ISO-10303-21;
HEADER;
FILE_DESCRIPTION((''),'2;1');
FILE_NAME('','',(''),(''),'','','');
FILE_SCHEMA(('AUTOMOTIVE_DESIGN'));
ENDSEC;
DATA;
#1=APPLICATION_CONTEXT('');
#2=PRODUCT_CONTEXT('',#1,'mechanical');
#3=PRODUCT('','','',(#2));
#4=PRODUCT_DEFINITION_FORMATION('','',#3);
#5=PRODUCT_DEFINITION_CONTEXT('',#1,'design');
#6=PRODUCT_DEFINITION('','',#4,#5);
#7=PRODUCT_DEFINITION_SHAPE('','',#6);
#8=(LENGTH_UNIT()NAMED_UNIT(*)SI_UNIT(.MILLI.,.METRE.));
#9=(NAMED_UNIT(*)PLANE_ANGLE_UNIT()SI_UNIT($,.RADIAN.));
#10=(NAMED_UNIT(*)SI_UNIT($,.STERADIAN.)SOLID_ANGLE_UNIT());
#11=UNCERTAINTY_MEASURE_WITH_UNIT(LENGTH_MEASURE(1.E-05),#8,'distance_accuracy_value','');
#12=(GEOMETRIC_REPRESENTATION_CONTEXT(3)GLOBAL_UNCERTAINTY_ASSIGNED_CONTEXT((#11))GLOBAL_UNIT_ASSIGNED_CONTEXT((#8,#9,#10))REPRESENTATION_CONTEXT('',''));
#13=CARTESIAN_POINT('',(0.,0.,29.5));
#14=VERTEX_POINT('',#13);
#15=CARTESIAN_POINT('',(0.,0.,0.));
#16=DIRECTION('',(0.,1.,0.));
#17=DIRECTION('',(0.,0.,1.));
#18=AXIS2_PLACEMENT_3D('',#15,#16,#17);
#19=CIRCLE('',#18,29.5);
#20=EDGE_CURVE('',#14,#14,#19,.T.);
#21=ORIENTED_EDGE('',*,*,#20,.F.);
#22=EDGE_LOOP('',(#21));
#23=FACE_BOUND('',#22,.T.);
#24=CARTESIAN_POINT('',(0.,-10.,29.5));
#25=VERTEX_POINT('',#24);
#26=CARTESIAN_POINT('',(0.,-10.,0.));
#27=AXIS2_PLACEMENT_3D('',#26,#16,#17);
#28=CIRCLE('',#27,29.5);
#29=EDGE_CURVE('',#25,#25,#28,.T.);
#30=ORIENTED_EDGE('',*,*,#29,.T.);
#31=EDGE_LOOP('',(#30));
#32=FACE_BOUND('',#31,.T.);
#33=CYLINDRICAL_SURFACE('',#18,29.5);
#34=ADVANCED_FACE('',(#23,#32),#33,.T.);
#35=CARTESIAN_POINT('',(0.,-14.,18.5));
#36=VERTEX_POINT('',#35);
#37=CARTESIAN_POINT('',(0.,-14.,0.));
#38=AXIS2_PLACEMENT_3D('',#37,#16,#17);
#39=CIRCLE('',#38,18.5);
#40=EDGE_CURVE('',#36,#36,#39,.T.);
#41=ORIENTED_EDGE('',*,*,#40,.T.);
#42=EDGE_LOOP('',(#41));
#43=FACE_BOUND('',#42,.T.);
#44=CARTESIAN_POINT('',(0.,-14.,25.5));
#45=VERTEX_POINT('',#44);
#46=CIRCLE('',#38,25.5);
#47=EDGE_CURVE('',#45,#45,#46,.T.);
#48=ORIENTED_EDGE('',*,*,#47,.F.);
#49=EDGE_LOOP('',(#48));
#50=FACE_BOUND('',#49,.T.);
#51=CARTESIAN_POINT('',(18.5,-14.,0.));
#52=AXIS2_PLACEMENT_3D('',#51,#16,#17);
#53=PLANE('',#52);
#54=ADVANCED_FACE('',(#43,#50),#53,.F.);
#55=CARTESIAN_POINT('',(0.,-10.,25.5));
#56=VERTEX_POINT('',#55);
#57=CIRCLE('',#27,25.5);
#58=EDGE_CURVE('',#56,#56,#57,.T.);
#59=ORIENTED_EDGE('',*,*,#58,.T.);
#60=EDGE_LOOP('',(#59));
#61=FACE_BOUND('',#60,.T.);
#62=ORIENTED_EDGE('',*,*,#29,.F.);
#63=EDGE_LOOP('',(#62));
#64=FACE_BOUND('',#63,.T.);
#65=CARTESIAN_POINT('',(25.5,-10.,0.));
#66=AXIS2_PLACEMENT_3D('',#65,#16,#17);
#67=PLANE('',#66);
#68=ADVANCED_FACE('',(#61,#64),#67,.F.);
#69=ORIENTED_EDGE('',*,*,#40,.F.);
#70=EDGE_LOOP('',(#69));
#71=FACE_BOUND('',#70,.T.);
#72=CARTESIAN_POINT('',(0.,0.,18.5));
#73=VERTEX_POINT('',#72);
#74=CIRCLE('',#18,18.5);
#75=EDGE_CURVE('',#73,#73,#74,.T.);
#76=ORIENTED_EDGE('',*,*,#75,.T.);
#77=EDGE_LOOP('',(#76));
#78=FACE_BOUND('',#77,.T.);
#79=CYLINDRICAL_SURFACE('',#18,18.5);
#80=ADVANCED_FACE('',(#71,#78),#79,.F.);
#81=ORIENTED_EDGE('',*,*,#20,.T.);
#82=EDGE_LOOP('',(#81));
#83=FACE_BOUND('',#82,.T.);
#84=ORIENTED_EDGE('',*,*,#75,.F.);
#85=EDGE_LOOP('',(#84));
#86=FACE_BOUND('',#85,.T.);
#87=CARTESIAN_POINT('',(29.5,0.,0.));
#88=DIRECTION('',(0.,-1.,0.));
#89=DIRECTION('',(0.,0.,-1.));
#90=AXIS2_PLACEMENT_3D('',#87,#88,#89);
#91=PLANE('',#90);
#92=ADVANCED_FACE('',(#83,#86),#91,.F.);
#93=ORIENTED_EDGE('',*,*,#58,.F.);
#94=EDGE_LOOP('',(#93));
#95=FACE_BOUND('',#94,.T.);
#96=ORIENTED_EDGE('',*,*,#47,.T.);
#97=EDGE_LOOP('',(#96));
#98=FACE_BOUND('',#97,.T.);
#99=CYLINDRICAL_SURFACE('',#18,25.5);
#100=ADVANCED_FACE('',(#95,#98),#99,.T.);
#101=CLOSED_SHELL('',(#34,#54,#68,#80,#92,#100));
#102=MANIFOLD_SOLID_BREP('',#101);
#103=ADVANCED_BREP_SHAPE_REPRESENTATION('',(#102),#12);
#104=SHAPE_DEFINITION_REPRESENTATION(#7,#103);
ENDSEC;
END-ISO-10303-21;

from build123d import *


with BuildPart() as part:
    # Эскиз1 → Повернуть1 (revolve)
    with BuildSketch(Plane.XY):
        Polygon((18.5, 0), (18.5, -14), (25.5, -14), (25.5, -10), (29.5, -10), (29.5, 0), align=None)
    revolve(axis=Axis((0, 0, 0), (0, -1, 0)))


solid = part.part
